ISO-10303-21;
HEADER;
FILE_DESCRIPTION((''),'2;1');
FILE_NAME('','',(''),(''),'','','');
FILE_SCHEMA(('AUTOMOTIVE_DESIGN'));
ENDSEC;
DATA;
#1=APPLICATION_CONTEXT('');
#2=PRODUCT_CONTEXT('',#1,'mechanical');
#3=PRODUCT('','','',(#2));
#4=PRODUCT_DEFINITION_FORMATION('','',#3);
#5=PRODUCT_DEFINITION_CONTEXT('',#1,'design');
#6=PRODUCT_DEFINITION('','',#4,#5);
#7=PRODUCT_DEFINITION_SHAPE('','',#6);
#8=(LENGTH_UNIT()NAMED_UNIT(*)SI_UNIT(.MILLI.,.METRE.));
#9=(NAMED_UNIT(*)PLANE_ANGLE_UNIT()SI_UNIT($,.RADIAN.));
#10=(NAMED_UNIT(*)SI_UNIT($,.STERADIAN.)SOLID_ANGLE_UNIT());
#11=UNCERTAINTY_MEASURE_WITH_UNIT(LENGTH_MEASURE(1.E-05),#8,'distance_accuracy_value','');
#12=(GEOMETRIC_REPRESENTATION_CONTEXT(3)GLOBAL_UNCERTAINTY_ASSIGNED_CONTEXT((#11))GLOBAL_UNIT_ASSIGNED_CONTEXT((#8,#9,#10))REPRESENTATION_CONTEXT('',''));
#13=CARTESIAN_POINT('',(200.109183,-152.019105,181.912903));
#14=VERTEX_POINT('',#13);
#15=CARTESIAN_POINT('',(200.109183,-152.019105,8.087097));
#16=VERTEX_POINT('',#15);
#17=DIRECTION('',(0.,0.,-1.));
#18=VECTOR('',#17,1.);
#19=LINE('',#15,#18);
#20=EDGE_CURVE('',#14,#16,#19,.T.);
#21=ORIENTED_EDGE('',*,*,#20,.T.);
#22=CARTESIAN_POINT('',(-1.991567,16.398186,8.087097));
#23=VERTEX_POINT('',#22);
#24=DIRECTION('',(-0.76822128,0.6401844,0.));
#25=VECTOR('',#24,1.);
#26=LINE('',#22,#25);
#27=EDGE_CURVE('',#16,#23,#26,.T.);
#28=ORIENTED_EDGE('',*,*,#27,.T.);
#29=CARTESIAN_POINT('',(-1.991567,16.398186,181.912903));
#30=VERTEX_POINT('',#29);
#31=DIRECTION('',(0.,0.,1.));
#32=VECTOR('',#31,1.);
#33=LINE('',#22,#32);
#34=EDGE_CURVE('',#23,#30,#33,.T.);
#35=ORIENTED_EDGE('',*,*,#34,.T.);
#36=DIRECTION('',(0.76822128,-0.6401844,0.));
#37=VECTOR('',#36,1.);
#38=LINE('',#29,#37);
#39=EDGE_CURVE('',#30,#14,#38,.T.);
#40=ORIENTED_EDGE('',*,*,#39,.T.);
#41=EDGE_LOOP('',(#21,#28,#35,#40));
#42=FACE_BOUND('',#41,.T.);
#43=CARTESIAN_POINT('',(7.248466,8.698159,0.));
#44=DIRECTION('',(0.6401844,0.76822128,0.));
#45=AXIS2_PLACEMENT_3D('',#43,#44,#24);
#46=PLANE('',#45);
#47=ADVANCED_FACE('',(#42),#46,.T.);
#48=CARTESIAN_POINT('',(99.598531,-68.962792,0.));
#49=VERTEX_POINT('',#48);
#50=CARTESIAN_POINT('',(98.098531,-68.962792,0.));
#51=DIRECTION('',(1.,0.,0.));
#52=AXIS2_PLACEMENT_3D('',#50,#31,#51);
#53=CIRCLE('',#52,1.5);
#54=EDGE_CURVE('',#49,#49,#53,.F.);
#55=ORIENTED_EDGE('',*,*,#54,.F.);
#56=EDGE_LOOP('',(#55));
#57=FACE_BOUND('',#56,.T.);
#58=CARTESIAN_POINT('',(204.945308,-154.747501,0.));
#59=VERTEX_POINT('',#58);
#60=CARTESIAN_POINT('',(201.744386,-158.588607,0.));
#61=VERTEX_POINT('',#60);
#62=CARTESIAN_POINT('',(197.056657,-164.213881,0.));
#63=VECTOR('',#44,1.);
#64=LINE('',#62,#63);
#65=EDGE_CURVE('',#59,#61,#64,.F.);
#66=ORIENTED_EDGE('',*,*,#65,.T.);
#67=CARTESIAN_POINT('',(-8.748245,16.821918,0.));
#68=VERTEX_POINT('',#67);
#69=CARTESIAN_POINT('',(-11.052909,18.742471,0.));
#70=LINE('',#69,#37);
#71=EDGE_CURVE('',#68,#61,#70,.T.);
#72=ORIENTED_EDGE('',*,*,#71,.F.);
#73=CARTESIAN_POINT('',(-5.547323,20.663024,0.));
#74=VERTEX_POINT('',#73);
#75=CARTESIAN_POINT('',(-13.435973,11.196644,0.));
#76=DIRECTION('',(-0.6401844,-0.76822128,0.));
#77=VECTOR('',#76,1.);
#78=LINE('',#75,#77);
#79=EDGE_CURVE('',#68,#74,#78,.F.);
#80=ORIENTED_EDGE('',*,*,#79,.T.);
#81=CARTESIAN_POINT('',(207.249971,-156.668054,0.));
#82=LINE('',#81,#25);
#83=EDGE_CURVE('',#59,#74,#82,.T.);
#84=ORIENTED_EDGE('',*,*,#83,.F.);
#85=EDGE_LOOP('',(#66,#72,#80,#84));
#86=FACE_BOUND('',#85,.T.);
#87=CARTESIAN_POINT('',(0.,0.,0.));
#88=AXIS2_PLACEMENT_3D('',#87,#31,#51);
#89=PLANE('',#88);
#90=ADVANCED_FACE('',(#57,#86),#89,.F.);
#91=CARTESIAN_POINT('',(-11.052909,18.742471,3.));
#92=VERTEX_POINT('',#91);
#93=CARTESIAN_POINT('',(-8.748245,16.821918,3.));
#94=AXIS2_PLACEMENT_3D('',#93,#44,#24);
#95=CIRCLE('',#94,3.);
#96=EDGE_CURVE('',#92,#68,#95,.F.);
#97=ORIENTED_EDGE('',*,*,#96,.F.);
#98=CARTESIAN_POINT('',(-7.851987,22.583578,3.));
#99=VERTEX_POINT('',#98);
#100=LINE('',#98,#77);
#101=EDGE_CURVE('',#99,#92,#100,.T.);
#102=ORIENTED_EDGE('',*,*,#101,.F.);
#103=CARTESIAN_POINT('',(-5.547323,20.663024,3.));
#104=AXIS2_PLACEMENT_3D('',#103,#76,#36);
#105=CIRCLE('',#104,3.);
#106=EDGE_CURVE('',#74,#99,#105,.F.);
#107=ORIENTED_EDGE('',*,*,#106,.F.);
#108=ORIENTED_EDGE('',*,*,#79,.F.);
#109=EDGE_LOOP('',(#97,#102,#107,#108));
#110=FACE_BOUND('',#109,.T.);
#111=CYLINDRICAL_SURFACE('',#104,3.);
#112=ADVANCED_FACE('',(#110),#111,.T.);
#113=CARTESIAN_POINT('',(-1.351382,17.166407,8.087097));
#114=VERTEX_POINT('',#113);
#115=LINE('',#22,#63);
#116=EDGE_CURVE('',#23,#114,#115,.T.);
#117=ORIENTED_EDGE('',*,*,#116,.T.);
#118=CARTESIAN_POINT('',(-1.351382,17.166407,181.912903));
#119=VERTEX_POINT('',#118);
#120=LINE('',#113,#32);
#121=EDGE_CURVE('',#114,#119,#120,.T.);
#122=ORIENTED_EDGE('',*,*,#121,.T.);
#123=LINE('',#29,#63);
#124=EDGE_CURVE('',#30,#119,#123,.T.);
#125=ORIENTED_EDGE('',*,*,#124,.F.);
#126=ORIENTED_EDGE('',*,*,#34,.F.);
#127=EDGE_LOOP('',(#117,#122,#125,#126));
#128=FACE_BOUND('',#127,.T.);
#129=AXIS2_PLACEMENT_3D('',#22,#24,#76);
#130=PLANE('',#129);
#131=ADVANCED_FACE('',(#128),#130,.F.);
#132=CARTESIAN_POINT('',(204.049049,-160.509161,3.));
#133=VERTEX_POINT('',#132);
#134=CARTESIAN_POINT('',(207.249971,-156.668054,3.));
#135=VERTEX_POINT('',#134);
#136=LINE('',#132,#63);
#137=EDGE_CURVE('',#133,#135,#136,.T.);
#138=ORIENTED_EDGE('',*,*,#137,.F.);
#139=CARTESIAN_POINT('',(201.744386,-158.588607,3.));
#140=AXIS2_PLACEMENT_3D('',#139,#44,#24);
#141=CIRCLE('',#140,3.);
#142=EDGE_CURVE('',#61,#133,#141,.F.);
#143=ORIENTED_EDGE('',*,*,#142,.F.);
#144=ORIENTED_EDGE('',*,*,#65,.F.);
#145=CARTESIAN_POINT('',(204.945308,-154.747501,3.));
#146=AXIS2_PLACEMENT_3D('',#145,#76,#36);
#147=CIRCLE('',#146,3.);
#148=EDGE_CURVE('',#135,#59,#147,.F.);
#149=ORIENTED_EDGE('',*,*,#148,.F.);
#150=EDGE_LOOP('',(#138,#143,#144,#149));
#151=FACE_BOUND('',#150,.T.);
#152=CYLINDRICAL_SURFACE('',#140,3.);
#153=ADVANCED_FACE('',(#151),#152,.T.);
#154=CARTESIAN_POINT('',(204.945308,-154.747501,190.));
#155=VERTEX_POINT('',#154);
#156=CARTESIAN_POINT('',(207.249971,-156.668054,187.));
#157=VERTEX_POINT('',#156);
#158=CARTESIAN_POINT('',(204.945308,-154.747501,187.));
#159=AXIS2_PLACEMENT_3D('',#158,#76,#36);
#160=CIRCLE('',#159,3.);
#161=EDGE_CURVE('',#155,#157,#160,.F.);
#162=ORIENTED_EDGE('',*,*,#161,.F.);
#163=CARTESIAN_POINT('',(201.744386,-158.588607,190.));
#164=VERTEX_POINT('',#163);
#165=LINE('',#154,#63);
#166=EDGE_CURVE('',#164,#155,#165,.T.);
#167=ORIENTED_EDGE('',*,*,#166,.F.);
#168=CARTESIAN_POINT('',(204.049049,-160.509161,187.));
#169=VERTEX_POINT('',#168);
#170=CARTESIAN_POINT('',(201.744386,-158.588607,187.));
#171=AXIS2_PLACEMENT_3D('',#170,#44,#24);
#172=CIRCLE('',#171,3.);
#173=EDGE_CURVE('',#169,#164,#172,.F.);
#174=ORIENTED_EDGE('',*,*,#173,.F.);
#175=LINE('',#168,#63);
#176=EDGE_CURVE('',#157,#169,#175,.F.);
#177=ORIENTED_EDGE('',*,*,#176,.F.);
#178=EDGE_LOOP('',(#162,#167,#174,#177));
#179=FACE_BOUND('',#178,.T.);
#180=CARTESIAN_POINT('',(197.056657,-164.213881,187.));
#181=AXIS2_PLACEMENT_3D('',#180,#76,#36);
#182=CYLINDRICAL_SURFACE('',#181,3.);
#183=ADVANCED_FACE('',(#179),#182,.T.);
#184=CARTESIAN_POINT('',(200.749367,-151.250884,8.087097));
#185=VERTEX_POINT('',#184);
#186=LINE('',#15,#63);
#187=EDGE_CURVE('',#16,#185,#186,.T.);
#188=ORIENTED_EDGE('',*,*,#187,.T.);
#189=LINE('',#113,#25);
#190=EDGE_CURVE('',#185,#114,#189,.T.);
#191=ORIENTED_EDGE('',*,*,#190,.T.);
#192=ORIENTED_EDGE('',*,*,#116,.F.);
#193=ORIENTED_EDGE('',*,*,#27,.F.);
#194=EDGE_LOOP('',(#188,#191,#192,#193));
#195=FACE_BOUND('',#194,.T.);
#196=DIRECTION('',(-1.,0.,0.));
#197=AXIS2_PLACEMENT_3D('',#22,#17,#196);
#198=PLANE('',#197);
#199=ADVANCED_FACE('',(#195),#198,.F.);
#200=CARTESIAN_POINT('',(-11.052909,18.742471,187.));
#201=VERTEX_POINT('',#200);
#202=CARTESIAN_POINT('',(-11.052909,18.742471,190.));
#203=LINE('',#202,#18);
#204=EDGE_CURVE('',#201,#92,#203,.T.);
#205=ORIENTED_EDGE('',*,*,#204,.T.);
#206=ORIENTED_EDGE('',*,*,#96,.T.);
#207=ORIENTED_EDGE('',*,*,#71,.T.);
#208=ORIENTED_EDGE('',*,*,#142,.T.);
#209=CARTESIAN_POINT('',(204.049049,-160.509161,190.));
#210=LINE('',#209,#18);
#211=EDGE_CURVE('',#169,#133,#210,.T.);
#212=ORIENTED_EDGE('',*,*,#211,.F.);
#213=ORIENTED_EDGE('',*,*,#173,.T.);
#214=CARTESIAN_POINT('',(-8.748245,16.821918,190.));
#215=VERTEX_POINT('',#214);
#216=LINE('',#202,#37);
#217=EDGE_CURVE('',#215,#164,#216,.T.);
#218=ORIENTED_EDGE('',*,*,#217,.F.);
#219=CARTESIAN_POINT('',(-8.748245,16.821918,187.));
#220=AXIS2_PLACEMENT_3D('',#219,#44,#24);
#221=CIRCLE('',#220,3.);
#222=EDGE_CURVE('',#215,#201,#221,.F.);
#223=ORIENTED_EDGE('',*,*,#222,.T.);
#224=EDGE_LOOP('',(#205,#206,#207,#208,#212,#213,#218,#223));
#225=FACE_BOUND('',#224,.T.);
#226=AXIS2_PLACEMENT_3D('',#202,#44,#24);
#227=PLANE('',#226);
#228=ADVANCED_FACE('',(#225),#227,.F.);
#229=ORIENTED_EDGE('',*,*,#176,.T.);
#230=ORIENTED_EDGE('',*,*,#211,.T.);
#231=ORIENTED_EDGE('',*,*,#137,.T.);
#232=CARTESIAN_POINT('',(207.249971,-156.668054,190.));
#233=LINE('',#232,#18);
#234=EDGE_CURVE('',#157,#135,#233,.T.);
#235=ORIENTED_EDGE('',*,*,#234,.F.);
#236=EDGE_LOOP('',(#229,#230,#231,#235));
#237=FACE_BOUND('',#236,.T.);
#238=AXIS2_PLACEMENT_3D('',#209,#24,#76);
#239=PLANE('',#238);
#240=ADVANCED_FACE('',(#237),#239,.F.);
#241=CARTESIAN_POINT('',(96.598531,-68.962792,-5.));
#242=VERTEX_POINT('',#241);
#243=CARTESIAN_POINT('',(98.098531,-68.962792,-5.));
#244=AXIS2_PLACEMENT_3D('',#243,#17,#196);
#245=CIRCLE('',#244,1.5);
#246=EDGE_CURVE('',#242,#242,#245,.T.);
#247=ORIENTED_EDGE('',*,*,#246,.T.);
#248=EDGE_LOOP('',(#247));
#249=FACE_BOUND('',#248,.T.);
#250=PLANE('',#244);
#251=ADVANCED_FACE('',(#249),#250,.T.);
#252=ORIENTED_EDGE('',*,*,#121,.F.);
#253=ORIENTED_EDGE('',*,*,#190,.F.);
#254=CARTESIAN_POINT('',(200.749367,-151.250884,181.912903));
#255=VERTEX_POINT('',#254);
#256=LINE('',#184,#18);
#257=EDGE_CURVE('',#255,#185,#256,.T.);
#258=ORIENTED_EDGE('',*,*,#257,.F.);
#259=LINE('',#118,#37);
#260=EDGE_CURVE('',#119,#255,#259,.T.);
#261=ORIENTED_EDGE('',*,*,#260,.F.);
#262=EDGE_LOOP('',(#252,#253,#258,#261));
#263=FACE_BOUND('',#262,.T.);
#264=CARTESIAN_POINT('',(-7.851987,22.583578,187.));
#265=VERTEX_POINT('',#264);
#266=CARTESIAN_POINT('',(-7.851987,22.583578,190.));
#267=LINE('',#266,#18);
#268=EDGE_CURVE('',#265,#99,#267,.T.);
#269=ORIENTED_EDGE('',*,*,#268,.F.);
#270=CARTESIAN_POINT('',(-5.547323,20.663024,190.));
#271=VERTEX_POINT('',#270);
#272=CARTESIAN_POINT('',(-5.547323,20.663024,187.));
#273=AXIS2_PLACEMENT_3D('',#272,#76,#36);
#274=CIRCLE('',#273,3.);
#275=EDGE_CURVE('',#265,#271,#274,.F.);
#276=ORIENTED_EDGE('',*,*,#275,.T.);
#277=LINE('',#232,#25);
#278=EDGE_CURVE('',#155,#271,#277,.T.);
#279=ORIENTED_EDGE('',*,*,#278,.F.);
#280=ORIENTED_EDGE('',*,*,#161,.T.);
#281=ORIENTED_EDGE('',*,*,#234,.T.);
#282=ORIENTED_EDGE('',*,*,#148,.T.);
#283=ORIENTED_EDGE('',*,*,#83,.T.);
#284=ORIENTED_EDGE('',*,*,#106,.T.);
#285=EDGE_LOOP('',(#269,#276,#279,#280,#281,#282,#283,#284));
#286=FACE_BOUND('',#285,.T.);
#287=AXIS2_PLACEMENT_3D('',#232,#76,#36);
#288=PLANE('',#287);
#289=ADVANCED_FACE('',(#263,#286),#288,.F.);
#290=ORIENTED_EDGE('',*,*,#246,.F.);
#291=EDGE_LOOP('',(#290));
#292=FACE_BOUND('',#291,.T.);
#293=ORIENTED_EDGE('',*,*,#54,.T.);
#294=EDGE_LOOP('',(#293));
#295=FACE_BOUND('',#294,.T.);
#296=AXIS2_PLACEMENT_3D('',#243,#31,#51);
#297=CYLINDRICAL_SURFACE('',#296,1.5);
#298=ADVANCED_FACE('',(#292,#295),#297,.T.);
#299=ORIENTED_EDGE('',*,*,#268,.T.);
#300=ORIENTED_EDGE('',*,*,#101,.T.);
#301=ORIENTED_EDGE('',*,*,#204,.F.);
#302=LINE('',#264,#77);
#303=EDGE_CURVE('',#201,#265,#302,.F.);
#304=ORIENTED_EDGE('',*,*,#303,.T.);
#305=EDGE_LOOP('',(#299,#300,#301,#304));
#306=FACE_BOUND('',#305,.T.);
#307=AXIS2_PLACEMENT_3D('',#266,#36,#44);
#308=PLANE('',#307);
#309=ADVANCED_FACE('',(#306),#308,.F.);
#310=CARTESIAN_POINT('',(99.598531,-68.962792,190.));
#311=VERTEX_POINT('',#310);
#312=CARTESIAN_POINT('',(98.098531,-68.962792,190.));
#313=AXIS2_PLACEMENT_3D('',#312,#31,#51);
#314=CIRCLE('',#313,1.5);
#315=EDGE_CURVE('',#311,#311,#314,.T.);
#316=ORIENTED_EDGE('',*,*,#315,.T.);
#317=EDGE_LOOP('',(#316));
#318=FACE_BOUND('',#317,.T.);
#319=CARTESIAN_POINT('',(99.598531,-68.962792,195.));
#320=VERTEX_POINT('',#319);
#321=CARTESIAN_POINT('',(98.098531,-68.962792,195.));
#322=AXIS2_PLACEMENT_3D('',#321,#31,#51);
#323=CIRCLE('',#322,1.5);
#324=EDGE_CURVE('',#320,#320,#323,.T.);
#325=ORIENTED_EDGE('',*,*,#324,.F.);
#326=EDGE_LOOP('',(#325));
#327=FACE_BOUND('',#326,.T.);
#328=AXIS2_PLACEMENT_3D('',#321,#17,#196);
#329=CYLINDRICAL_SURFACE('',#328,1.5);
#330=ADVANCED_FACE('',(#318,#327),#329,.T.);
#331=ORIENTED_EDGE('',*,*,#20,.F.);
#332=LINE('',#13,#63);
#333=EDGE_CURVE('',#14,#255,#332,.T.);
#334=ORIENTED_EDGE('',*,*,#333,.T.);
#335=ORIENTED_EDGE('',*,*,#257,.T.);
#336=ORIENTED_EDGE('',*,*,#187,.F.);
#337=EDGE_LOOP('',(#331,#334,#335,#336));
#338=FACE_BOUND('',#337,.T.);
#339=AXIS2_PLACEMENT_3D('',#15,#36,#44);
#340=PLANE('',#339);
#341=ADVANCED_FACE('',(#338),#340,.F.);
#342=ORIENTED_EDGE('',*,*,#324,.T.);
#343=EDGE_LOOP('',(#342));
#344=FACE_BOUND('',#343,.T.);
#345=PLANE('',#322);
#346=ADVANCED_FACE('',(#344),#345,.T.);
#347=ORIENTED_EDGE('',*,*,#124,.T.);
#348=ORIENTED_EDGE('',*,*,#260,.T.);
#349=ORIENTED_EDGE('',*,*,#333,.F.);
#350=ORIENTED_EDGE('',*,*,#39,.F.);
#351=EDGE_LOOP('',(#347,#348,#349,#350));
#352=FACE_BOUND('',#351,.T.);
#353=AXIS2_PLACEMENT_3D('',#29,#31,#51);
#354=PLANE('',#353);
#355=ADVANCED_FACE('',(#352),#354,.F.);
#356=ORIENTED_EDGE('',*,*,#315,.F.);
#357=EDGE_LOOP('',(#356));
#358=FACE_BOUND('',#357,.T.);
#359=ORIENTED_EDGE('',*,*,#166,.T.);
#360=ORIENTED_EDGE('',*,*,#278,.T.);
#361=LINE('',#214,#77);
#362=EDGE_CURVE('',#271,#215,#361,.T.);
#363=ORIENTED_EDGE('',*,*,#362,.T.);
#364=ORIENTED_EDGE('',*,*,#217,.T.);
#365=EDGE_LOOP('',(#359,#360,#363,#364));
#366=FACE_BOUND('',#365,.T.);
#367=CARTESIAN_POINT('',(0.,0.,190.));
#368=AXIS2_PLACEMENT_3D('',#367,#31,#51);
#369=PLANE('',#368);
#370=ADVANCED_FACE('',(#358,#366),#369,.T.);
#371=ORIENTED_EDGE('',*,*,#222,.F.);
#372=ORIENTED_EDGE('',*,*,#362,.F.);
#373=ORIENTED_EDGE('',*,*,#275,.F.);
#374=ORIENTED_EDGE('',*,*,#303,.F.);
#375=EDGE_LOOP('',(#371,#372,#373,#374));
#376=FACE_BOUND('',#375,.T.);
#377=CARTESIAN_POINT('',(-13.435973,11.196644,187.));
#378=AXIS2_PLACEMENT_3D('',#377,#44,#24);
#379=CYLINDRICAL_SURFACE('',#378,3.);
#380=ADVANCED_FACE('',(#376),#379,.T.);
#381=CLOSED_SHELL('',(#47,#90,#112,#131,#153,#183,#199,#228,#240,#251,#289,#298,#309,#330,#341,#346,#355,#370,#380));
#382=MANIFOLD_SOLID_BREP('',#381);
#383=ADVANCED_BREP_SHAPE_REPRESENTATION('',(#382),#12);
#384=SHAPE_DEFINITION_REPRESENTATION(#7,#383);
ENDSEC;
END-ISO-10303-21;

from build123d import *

# Parameters (mm, degrees)
EXTRUDE_1_DEPTH     = 190
FILLET_1_R          = 3
FILLET_2_R          = 3
FILLET_3_R          = 3
FILLET_4_R          = 3
SKETCH_2_W          = 263.076218716
SKETCH_2_H          = 173.825805258
CUT_EXTRUDE_1_DEPTH = 1
SKETCH_3_R          = 1.5
EXTRUDE_2_DEPTH     = 5
SKETCH_4_R          = 1.5
EXTRUDE_3_DEPTH     = 5


with BuildPart() as part:
    # 草图1 → 凸台-拉伸1 (new body)
    with BuildSketch(Plane.XY):
        Polygon((-7.851986906, 22.583577614), (-11.052908905, 18.742471216), (204.049049383, -160.50916069), (207.249971381, -156.668054292), align=None)
    extrude(amount=EXTRUDE_1_DEPTH)

    # 圆角1
    fillet_1_edges = [part.edges().sort_by_distance(p)[0] for p in [
        (205.649510382, -158.588607491, 0),
    ]]
    fillet(fillet_1_edges, radius=FILLET_1_R)

    # 圆角2
    fillet_2_edges = [part.edges().sort_by_distance(p)[0] for p in [
        (205.649510382, -158.588607491, 190),
    ]]
    fillet(fillet_2_edges, radius=FILLET_2_R)

    # 圆角3
    fillet_3_edges = [part.edges().sort_by_distance(p)[0] for p in [
        (-9.452447905, 20.663024415, 190),
    ]]
    fillet(fillet_3_edges, radius=FILLET_3_R)

    # 圆角4
    fillet_4_edges = [part.edges().sort_by_distance(p)[0] for p in [
        (-9.452447905, 20.663024415, 0),
    ]]
    fillet(fillet_4_edges, radius=FILLET_4_R)

    # 草图2 → 切除-拉伸1 (cut)
    with BuildSketch(Plane(origin=(7.888650095, 9.466380114, 0), x_dir=(0.76822128, -0.6401844, 0), z_dir=(0.6401844, 0.76822128, 0))):
        with Locations((119.510282494, -95)):
            Rectangle(SKETCH_2_W, SKETCH_2_H)
    extrude(amount=-CUT_EXTRUDE_1_DEPTH, mode=Mode.SUBTRACT)

    # 草图3 → 凸台-拉伸2 (add)
    with BuildSketch(Plane(origin=(0, 0, 0), x_dir=(-1, 0, 0), z_dir=(0, 0, -1))):
        with Locations(Location((-98.098531238, -68.962791538, 0), (0, 0, 180))):  # turned: the seam where the file's is
            Circle(SKETCH_3_R)
    extrude(amount=EXTRUDE_2_DEPTH)

    # 草图4 → 凸台-拉伸3 (add)
    with BuildSketch(Plane.XY.offset(190)):
        with Locations((98.098531238, -68.962791538)):
            Circle(SKETCH_4_R)
    extrude(amount=EXTRUDE_3_DEPTH)


solid = part.part
